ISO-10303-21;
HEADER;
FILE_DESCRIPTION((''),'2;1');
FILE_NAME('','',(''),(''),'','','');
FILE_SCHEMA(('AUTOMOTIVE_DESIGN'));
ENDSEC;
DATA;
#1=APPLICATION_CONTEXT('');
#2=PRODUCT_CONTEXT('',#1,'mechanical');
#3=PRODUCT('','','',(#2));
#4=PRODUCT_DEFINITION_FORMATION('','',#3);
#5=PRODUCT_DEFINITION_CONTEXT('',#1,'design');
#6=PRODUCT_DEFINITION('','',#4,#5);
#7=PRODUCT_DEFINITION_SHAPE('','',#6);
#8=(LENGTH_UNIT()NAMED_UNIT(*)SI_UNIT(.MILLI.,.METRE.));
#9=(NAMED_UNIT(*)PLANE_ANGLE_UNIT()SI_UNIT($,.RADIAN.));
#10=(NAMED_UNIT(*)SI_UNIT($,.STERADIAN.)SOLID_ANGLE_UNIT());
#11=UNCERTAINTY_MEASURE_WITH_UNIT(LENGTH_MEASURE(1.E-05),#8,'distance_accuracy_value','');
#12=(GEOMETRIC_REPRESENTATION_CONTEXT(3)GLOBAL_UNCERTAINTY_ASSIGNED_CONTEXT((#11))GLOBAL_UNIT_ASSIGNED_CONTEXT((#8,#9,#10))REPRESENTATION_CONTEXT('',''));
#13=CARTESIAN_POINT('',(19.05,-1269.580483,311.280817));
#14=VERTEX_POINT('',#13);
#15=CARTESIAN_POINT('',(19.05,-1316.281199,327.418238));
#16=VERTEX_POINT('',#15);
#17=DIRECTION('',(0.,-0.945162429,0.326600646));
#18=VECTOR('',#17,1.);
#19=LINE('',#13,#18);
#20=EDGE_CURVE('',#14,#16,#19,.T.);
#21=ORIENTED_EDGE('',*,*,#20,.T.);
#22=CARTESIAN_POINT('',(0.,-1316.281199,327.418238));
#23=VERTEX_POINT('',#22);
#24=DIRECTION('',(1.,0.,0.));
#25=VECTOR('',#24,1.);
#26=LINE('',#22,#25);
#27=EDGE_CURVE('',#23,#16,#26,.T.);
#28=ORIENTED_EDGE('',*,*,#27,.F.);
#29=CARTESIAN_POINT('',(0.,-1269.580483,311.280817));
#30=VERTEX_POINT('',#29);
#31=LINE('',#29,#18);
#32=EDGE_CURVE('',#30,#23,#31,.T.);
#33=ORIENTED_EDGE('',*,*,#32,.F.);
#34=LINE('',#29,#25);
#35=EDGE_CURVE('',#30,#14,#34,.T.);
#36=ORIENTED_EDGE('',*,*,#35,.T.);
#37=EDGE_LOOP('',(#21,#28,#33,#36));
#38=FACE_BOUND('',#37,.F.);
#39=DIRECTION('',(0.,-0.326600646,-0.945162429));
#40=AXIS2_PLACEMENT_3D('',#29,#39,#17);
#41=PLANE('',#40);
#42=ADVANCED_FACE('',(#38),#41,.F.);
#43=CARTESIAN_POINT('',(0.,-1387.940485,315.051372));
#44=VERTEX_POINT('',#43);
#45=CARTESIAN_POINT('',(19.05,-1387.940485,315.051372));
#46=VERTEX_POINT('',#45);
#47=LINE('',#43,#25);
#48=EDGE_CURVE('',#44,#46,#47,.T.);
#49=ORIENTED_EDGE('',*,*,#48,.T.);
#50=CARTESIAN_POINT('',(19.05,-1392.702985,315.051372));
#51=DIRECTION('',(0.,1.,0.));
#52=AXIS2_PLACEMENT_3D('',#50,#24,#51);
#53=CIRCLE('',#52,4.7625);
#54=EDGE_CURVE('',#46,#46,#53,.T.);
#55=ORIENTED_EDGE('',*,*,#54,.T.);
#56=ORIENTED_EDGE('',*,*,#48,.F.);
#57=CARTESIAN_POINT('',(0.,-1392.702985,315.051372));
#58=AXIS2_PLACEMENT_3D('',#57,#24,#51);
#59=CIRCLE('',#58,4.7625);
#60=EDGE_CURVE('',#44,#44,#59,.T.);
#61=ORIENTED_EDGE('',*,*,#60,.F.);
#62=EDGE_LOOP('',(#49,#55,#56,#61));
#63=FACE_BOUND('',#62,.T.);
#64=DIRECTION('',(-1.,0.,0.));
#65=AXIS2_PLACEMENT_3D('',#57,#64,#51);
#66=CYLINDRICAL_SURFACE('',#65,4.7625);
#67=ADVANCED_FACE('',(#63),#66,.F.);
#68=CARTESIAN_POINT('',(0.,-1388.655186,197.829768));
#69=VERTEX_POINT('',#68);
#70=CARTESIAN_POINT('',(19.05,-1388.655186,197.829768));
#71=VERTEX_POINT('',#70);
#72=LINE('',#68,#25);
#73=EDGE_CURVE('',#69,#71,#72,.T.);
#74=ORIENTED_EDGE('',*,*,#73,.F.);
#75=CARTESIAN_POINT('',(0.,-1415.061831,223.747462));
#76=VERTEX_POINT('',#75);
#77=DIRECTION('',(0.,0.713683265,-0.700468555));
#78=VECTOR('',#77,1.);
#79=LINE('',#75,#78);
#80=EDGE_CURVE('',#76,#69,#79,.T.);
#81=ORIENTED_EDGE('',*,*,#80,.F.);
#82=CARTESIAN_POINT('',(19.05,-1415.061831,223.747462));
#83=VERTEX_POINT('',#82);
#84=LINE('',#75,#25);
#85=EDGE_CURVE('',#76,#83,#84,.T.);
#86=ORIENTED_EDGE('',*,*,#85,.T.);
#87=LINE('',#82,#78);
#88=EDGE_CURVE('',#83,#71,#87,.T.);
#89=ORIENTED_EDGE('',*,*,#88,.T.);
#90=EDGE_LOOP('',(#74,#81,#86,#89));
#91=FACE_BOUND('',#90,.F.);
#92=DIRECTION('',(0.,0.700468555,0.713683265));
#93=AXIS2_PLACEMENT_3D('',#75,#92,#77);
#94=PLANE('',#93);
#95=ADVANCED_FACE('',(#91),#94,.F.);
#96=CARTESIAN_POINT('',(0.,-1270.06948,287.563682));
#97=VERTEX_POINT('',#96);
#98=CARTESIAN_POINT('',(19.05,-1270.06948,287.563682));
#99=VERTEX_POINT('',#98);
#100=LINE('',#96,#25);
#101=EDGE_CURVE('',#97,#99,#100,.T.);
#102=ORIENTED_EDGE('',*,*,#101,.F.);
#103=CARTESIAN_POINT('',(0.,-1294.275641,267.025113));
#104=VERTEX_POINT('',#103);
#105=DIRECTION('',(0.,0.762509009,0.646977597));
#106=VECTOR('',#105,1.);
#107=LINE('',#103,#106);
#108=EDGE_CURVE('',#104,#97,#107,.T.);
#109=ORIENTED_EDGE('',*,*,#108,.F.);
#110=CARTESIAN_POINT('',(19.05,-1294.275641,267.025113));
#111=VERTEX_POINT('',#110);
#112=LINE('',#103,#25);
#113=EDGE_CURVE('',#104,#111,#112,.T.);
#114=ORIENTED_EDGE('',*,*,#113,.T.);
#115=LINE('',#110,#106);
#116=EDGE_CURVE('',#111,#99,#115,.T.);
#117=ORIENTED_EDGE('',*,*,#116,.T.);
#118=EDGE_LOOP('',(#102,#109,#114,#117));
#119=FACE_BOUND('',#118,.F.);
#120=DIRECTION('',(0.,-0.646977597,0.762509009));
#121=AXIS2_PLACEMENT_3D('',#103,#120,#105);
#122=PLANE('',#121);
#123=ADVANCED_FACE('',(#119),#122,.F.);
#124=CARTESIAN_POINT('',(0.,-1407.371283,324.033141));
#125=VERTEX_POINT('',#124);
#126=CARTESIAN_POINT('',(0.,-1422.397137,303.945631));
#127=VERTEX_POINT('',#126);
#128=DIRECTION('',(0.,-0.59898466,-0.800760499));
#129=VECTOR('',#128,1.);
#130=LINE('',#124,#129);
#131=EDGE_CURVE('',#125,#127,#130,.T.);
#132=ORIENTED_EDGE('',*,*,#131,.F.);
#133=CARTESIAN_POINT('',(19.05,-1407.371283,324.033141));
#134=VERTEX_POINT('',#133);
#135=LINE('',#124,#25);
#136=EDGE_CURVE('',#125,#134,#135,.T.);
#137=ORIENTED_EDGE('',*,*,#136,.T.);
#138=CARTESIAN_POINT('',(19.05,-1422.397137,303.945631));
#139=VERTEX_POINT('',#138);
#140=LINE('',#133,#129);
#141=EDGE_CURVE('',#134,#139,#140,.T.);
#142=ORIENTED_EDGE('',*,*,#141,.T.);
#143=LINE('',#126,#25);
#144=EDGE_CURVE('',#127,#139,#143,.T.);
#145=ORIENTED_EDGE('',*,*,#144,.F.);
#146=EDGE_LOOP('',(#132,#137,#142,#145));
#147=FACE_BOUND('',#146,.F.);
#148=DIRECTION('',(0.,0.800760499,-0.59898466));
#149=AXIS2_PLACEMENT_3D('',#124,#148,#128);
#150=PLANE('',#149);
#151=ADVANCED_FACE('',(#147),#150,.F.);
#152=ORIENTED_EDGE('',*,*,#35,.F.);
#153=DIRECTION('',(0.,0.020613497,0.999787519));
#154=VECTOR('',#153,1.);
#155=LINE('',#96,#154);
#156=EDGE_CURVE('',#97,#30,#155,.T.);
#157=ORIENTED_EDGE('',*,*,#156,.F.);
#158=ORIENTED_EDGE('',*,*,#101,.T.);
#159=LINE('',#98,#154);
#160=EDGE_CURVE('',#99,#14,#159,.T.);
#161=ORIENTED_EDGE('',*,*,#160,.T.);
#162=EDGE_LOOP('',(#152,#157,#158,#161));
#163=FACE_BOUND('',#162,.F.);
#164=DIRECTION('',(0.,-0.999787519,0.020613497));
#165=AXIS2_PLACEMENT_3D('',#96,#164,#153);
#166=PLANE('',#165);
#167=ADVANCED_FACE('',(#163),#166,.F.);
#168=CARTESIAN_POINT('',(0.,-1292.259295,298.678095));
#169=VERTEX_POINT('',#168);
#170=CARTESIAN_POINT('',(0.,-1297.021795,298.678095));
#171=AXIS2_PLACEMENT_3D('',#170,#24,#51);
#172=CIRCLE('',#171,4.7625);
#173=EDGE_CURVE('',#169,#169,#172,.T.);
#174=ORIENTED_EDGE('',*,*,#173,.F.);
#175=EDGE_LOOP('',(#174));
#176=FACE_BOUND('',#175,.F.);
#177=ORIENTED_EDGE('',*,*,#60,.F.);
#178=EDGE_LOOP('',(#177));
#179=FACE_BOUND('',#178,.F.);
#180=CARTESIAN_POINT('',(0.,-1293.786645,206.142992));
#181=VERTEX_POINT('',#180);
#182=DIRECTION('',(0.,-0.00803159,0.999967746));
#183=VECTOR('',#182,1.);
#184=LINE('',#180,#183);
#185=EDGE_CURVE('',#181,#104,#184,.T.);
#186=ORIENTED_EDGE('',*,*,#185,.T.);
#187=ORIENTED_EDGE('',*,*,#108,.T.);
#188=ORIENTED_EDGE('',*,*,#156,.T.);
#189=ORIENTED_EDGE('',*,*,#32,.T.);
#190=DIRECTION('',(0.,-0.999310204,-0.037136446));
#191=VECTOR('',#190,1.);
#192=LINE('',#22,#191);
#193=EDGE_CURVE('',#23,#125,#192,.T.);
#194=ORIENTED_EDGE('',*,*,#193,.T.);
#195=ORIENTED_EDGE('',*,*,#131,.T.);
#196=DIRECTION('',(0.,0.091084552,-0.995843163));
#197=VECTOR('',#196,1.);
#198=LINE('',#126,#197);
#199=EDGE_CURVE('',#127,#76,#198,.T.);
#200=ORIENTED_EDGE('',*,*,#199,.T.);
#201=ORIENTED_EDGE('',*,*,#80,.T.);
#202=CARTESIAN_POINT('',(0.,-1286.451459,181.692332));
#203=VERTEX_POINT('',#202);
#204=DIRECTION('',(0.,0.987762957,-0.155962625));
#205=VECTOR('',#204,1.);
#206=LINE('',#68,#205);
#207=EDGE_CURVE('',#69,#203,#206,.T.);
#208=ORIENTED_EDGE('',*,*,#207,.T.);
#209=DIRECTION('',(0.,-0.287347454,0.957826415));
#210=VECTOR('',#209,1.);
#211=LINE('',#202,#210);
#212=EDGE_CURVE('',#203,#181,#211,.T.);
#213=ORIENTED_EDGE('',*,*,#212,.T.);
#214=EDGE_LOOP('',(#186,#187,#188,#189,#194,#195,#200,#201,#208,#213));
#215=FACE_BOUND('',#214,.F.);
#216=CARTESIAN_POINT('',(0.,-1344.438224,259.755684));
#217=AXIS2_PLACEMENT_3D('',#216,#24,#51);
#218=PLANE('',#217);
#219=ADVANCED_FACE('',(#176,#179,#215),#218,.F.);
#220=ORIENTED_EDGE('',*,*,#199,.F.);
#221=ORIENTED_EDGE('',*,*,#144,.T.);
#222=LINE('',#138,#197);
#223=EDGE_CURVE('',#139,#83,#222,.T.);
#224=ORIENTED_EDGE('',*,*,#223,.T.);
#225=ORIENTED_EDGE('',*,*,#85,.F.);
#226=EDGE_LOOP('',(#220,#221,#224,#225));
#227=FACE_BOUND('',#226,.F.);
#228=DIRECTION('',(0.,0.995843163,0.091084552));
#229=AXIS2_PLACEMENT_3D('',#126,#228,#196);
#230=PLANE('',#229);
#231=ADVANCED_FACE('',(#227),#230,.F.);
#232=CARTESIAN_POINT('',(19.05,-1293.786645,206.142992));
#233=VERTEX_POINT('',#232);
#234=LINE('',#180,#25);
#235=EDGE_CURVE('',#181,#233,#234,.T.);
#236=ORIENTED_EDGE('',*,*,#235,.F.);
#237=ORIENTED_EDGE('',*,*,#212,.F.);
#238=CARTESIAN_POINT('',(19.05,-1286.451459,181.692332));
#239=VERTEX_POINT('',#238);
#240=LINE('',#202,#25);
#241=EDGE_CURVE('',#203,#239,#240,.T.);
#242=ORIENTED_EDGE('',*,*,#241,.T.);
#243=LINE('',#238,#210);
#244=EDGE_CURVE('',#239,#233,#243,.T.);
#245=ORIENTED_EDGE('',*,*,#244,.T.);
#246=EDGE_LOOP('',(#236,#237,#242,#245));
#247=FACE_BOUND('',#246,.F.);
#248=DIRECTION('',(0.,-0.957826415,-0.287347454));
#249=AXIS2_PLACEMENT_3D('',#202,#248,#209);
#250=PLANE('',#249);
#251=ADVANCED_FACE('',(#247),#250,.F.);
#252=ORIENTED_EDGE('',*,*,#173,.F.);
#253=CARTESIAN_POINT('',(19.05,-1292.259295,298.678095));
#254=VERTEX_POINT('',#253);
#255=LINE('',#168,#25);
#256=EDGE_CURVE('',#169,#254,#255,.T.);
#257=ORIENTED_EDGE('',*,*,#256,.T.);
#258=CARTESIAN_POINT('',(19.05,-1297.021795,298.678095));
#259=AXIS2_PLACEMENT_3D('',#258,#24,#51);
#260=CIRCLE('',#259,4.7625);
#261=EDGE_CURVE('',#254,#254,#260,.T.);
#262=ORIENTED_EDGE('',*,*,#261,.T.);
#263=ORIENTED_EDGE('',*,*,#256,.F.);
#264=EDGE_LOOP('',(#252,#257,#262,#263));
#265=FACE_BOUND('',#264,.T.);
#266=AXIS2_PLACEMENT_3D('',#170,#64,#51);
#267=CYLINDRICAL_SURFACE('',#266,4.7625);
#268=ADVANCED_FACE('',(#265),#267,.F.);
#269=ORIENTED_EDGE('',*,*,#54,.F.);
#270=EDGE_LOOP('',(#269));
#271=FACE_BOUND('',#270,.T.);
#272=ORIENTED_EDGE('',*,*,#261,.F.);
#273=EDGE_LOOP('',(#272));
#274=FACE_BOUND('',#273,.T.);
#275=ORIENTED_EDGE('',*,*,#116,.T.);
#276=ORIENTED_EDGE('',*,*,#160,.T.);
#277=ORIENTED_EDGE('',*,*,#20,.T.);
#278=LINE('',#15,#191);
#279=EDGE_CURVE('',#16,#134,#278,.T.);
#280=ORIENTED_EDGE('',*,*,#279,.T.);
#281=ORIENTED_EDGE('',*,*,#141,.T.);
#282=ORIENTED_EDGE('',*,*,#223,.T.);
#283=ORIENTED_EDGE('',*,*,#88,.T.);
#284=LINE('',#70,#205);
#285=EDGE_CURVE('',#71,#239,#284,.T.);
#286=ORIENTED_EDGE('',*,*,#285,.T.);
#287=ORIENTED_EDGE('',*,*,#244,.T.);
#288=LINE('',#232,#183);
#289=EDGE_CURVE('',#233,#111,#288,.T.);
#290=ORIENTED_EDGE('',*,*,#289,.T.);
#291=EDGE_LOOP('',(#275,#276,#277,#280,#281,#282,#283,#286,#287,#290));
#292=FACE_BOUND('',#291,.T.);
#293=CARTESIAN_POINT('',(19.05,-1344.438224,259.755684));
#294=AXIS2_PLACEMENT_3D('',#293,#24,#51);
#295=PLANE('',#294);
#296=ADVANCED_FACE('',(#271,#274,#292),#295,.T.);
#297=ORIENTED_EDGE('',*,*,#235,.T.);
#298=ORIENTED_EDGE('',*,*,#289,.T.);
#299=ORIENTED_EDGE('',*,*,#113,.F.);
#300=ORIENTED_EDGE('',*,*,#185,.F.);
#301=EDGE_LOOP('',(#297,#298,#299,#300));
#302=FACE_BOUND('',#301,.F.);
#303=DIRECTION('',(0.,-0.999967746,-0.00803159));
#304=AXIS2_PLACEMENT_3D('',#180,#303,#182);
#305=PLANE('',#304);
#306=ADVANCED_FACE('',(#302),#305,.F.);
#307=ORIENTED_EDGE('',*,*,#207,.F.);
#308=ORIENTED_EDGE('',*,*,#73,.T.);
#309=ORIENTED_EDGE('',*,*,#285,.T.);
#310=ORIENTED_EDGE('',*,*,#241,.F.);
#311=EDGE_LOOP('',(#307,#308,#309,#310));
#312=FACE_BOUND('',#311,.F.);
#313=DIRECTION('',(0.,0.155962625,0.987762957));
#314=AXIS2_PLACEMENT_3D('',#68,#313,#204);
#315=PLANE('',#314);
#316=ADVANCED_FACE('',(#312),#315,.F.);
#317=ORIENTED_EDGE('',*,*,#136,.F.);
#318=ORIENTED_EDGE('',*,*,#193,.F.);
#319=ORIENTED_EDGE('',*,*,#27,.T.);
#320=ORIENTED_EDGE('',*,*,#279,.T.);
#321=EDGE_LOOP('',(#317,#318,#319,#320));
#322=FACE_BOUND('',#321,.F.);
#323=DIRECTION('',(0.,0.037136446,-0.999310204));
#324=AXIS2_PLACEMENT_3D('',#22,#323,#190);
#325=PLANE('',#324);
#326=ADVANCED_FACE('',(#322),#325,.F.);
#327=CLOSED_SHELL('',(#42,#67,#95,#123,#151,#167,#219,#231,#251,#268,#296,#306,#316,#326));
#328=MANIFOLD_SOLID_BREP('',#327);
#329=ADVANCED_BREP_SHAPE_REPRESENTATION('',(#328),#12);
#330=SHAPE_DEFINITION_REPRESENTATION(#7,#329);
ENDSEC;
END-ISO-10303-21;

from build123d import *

# Parameters (mm, degrees)
F2_R     = 4.7625
F3_DEPTH = 19.05


with BuildPart() as f3:
    # F2 (on Right) → F3 (new body)
    with BuildSketch(Plane.YZ):
        Polygon((-1407.371283, 324.033141), (-1422.397137, 303.945631), (-1415.061831, 223.747462), (-1388.655186, 197.829768), (-1286.451459, 181.692332), (-1293.786645, 206.142992), (-1294.275641, 267.025113), (-1270.06948, 287.563682), (-1269.580483, 311.280817), (-1316.281199, 327.418238), align=None)
        with Locations((-1392.702985, 315.051372)):
            Circle(F2_R, mode=Mode.SUBTRACT)
        with Locations((-1297.021795, 298.678095)):
            Circle(F2_R, mode=Mode.SUBTRACT)
    extrude(amount=F3_DEPTH)


solid = f3.part
